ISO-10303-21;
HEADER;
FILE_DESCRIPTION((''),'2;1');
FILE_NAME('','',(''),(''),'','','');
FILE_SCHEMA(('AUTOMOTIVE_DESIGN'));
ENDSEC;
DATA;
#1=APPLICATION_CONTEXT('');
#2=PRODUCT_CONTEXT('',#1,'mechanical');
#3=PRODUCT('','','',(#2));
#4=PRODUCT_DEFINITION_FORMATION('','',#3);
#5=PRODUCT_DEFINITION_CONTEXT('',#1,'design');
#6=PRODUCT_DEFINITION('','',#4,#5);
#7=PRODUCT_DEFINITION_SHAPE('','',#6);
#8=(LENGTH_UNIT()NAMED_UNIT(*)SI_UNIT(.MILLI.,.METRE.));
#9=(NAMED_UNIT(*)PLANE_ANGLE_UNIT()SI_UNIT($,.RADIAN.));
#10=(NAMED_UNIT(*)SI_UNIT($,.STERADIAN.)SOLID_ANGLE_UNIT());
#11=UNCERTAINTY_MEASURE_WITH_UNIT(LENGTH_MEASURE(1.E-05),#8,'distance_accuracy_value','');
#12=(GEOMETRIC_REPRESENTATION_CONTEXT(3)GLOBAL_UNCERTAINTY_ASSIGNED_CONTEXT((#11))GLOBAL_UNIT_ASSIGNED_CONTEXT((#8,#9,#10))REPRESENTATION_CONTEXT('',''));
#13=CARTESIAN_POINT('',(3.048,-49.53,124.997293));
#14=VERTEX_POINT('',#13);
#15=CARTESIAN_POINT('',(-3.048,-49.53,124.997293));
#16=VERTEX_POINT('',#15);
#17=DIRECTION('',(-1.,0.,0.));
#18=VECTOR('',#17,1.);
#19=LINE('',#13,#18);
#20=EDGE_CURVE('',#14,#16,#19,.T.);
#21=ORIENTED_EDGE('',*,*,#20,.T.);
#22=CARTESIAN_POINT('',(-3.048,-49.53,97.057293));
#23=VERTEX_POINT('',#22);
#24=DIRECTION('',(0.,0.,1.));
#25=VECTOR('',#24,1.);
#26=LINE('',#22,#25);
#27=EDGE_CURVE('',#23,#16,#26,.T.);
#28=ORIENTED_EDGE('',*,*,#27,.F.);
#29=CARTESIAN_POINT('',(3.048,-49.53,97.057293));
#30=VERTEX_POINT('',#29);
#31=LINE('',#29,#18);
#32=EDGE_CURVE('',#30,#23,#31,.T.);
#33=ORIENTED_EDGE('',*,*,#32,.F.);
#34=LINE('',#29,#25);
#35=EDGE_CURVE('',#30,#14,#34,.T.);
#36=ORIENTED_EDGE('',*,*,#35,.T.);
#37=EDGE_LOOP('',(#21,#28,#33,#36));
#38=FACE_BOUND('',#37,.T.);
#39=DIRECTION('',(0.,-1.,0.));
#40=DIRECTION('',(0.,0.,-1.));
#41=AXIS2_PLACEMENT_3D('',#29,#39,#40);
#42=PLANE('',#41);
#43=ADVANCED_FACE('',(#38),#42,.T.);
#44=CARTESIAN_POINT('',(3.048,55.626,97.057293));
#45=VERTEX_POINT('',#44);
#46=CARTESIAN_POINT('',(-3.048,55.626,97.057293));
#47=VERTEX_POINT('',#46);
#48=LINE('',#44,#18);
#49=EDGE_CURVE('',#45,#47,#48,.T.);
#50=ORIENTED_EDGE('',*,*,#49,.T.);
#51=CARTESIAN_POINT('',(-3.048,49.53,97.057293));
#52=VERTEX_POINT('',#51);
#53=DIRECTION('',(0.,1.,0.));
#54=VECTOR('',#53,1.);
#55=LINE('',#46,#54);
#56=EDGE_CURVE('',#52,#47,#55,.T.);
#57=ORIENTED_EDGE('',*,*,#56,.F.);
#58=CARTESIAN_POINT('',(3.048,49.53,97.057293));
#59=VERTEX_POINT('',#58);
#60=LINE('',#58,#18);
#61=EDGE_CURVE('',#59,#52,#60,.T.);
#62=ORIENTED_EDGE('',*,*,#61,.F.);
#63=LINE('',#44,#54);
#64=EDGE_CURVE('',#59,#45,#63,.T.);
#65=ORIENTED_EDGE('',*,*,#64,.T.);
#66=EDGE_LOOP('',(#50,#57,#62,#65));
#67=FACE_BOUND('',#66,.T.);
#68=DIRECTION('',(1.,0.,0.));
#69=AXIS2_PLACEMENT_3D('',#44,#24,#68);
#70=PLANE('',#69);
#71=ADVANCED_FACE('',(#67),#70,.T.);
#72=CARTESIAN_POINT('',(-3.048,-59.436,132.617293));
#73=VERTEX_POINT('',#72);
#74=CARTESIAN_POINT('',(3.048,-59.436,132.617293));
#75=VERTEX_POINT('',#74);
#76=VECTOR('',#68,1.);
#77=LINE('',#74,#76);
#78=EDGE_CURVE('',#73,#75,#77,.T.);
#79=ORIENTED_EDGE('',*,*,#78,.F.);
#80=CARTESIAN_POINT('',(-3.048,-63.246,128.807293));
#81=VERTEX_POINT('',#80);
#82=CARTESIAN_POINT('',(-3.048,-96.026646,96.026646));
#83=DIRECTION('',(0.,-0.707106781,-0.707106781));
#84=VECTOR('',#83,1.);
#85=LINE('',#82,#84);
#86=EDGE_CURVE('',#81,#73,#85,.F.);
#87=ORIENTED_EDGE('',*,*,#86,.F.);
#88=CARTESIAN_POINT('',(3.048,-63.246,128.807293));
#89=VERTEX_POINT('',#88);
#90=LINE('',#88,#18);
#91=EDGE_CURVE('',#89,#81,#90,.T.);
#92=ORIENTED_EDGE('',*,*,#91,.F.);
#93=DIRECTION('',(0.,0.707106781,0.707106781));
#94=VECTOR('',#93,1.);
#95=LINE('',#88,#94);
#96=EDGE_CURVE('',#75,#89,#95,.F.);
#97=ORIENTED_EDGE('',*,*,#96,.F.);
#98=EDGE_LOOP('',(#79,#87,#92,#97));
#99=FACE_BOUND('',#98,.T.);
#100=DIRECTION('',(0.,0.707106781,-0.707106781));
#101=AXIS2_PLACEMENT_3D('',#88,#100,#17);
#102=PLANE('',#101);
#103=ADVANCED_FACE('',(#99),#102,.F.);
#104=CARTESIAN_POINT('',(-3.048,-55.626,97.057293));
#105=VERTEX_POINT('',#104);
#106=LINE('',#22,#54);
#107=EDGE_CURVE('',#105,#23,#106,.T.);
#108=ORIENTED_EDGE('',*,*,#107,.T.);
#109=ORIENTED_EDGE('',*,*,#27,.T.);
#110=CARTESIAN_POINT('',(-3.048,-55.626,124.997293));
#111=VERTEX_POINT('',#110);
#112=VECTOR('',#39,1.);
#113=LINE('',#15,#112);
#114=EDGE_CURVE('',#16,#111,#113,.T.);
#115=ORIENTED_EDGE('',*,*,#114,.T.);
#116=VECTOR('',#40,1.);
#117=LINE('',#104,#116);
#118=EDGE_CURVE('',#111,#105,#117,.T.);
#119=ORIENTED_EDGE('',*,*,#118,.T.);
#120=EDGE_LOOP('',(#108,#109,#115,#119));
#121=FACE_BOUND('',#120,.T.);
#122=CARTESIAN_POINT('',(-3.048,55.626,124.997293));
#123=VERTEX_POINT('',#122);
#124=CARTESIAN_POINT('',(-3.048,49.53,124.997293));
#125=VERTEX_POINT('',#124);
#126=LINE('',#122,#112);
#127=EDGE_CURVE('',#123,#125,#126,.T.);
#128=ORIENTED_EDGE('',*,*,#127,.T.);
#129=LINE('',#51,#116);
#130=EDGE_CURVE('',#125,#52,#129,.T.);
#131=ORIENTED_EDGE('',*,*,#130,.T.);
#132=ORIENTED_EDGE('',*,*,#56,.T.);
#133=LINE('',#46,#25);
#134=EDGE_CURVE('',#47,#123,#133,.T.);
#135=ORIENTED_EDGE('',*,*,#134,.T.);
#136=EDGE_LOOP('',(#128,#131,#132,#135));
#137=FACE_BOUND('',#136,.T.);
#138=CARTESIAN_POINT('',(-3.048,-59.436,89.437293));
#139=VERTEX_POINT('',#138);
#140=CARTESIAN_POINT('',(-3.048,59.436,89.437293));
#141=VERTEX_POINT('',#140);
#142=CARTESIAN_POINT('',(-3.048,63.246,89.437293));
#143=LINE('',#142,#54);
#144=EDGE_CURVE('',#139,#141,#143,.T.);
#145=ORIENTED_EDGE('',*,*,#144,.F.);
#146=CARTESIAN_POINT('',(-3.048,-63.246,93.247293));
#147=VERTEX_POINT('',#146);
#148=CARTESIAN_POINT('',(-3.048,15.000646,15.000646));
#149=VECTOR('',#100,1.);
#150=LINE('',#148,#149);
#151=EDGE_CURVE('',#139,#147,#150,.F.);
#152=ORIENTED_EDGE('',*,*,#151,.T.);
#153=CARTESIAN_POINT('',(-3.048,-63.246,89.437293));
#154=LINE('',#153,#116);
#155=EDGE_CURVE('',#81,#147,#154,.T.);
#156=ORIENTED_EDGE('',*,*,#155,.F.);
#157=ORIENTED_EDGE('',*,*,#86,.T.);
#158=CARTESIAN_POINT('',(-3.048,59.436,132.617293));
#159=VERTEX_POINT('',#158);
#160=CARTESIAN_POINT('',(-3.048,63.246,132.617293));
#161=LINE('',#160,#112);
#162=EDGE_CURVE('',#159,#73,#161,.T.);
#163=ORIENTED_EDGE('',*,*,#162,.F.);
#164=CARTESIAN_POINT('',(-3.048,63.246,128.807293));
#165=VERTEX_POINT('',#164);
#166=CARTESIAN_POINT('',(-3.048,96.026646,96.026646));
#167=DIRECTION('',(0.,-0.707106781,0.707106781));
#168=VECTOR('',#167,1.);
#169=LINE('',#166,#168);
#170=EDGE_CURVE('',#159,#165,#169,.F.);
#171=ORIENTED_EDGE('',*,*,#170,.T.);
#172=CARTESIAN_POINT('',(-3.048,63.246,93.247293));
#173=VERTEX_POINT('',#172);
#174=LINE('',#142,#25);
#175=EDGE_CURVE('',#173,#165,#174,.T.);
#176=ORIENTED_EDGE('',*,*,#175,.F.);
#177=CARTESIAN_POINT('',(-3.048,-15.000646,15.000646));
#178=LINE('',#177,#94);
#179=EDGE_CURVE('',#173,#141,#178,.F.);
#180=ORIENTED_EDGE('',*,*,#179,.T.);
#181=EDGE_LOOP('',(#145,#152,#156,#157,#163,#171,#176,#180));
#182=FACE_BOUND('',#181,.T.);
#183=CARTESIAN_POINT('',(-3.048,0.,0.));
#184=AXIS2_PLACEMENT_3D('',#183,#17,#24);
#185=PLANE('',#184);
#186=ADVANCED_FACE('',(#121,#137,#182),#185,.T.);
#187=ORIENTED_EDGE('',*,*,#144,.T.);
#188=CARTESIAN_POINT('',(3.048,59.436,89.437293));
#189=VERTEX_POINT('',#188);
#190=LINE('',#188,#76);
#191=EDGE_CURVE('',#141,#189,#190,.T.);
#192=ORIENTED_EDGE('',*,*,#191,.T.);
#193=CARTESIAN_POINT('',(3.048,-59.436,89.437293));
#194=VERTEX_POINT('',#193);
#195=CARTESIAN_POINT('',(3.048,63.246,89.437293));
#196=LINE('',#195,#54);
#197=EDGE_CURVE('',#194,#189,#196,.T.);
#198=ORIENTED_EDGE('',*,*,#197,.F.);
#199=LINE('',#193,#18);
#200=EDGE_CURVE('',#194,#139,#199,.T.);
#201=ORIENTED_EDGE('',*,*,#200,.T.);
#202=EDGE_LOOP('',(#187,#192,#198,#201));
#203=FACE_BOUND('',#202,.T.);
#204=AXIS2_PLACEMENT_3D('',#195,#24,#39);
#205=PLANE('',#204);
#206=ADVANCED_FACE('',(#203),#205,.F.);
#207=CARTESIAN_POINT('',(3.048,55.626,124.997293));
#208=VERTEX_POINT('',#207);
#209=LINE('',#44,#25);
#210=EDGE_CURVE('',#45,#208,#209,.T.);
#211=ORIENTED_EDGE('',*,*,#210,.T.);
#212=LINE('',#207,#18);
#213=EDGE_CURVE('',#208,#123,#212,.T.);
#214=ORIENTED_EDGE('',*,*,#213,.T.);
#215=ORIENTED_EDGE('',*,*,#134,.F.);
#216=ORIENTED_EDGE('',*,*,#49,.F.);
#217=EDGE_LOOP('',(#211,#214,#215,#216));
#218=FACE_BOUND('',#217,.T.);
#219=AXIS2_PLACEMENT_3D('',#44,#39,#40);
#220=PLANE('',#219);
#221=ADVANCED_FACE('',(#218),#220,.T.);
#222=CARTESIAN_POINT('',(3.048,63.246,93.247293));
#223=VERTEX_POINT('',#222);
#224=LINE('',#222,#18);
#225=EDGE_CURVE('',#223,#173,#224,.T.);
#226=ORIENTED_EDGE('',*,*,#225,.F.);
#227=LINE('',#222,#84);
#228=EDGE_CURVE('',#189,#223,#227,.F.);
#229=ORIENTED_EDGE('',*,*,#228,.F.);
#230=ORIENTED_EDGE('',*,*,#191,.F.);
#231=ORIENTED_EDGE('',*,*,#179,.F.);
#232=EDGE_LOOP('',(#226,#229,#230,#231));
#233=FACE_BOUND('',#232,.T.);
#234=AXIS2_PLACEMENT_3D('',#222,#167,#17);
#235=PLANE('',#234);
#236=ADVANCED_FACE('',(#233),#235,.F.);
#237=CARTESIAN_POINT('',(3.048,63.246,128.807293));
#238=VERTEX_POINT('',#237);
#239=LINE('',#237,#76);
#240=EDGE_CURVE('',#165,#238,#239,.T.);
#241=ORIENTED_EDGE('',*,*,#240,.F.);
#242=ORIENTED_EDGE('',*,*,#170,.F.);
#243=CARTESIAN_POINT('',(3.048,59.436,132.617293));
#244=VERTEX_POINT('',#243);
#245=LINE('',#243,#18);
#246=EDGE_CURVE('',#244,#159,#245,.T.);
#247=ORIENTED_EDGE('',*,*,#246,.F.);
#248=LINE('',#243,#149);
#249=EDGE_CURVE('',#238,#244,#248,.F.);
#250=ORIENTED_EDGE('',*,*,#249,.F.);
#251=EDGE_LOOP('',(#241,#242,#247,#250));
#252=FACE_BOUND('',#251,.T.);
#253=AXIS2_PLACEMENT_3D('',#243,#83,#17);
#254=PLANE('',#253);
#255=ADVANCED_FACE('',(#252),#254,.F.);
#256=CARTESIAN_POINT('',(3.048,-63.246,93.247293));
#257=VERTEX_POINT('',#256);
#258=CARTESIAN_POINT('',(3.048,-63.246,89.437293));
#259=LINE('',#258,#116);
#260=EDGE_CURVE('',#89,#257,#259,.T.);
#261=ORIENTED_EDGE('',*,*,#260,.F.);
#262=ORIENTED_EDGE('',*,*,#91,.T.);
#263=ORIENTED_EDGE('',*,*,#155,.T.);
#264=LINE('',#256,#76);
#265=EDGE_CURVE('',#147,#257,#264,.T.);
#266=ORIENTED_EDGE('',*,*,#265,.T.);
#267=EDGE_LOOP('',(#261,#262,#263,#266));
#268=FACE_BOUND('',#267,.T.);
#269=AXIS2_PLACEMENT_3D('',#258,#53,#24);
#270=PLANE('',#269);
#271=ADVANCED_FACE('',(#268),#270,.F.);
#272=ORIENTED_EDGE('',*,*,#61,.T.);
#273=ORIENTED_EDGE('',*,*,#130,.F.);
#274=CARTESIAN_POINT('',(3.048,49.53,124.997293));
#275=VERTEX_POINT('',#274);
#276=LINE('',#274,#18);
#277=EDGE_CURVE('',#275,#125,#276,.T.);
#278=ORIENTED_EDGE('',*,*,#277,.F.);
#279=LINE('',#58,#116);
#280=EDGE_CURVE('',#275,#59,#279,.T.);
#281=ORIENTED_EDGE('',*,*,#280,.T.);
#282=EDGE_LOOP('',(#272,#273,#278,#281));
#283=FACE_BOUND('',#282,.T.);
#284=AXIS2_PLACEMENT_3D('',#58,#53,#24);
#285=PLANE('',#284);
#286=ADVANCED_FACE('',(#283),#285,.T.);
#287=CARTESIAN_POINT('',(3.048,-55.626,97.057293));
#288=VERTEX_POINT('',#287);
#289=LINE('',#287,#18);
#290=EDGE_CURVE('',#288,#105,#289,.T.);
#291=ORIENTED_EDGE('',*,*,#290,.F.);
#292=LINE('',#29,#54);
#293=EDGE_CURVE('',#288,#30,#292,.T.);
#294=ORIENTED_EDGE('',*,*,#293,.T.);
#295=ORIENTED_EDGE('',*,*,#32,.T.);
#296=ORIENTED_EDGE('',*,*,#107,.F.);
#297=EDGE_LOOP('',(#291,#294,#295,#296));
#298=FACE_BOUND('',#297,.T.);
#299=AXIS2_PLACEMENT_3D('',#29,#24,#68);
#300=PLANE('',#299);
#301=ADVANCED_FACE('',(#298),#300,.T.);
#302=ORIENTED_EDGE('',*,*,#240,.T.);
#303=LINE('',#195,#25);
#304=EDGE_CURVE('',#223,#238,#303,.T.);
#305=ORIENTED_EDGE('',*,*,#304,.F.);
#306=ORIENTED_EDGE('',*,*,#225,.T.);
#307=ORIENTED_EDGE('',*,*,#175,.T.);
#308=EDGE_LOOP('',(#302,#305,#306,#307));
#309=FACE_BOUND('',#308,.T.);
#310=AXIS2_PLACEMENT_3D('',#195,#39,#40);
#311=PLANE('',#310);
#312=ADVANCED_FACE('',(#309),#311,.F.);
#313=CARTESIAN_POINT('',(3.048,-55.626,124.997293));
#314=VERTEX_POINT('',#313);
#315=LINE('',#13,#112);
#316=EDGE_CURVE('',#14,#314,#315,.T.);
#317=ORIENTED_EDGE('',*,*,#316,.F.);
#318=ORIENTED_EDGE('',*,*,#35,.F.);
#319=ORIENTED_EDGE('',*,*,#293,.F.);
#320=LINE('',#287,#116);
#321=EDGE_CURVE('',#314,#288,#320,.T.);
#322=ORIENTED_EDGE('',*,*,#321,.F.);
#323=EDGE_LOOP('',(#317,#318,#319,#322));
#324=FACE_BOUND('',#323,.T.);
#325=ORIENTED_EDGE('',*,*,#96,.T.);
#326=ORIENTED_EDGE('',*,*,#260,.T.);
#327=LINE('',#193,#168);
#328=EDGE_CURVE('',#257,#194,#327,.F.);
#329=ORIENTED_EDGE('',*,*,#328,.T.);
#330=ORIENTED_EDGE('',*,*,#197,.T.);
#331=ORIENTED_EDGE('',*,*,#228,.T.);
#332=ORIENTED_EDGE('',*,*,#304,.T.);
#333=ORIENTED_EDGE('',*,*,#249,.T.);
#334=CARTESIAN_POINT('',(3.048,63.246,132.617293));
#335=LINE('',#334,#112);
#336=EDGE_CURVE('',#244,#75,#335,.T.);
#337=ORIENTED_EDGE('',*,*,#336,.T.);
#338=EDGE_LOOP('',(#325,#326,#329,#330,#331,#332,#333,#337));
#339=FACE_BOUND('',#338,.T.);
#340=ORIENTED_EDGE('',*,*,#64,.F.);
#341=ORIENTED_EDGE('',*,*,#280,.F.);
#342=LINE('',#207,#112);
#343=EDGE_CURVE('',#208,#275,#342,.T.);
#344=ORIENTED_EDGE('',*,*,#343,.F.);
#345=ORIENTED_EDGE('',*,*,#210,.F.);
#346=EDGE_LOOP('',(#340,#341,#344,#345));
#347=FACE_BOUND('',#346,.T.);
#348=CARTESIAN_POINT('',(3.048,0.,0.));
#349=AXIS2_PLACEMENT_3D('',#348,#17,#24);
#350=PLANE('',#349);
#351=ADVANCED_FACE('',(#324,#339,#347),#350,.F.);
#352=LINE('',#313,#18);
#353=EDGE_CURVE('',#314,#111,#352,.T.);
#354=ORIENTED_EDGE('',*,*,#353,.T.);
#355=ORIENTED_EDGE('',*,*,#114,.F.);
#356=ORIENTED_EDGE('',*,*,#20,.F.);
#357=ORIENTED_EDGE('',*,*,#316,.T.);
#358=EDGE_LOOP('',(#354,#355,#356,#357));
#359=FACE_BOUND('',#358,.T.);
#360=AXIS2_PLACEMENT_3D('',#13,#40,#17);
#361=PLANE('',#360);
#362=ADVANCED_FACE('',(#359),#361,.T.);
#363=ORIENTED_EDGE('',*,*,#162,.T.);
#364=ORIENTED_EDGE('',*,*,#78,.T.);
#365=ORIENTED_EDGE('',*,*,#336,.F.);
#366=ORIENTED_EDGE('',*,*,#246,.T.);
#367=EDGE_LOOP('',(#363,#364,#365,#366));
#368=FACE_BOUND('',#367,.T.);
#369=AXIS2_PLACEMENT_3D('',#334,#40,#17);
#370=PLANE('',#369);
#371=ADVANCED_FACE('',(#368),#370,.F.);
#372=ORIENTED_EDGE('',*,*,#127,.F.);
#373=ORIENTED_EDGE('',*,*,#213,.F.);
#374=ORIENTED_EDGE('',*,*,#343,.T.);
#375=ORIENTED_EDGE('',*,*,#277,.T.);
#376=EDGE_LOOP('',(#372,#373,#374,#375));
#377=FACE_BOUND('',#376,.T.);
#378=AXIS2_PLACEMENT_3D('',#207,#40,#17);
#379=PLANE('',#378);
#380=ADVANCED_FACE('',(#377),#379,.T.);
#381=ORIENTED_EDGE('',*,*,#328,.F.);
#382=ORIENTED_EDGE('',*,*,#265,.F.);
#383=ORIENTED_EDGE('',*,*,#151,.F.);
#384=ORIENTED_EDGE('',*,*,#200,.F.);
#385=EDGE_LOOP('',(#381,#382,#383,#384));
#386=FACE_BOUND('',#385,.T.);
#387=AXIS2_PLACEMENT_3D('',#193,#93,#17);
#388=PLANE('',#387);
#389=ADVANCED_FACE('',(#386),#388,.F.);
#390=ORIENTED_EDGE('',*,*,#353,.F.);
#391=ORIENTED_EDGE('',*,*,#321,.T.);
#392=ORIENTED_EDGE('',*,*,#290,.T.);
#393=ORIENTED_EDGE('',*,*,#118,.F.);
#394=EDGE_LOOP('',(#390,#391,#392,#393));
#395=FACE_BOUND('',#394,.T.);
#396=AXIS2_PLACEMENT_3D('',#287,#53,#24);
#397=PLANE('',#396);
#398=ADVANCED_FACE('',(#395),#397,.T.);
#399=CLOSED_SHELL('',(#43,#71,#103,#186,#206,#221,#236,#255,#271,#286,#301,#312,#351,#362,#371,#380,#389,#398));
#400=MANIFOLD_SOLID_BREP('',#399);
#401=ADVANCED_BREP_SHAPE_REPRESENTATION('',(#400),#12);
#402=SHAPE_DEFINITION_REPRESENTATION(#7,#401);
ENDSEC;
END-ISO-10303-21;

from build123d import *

# Parameters (mm, degrees)
SKETCH1_W           = 43.18
SKETCH1_H           = 126.492
SKETCH1_W_2         = 27.94
SKETCH1_H_2         = 6.096
BOSS_EXTRUDE1_DEPTH = 3.048
CHAMFER1_SIZE       = 3.81


with BuildPart() as part:
    # Sketch1 → Boss-Extrude1 (new body, symmetric)
    with BuildSketch(Plane(origin=(0, 0, 0), x_dir=(0, 0, -1), z_dir=(1, 0, 0))):
        with Locations((-111.027292876, 0)):
            Rectangle(SKETCH1_W, SKETCH1_H)
        with Locations((-111.027292876, 52.578)):
            Rectangle(SKETCH1_W_2, SKETCH1_H_2, mode=Mode.SUBTRACT)
        with Locations((-111.027292876, -52.578)):
            Rectangle(SKETCH1_W_2, SKETCH1_H_2, mode=Mode.SUBTRACT)
    extrude(amount=BOSS_EXTRUDE1_DEPTH, both=True)

    # Chamfer1
    chamfer1_edges = [part.edges().sort_by_distance(p)[0] for p in [
        (0, -63.246, 89.437292876),
        (0, -63.246, 132.617292876),
        (0, 63.246, 132.617292876),
        (0, 63.246, 89.437292876),
    ]]
    chamfer(chamfer1_edges, length=CHAMFER1_SIZE)


solid = part.part
